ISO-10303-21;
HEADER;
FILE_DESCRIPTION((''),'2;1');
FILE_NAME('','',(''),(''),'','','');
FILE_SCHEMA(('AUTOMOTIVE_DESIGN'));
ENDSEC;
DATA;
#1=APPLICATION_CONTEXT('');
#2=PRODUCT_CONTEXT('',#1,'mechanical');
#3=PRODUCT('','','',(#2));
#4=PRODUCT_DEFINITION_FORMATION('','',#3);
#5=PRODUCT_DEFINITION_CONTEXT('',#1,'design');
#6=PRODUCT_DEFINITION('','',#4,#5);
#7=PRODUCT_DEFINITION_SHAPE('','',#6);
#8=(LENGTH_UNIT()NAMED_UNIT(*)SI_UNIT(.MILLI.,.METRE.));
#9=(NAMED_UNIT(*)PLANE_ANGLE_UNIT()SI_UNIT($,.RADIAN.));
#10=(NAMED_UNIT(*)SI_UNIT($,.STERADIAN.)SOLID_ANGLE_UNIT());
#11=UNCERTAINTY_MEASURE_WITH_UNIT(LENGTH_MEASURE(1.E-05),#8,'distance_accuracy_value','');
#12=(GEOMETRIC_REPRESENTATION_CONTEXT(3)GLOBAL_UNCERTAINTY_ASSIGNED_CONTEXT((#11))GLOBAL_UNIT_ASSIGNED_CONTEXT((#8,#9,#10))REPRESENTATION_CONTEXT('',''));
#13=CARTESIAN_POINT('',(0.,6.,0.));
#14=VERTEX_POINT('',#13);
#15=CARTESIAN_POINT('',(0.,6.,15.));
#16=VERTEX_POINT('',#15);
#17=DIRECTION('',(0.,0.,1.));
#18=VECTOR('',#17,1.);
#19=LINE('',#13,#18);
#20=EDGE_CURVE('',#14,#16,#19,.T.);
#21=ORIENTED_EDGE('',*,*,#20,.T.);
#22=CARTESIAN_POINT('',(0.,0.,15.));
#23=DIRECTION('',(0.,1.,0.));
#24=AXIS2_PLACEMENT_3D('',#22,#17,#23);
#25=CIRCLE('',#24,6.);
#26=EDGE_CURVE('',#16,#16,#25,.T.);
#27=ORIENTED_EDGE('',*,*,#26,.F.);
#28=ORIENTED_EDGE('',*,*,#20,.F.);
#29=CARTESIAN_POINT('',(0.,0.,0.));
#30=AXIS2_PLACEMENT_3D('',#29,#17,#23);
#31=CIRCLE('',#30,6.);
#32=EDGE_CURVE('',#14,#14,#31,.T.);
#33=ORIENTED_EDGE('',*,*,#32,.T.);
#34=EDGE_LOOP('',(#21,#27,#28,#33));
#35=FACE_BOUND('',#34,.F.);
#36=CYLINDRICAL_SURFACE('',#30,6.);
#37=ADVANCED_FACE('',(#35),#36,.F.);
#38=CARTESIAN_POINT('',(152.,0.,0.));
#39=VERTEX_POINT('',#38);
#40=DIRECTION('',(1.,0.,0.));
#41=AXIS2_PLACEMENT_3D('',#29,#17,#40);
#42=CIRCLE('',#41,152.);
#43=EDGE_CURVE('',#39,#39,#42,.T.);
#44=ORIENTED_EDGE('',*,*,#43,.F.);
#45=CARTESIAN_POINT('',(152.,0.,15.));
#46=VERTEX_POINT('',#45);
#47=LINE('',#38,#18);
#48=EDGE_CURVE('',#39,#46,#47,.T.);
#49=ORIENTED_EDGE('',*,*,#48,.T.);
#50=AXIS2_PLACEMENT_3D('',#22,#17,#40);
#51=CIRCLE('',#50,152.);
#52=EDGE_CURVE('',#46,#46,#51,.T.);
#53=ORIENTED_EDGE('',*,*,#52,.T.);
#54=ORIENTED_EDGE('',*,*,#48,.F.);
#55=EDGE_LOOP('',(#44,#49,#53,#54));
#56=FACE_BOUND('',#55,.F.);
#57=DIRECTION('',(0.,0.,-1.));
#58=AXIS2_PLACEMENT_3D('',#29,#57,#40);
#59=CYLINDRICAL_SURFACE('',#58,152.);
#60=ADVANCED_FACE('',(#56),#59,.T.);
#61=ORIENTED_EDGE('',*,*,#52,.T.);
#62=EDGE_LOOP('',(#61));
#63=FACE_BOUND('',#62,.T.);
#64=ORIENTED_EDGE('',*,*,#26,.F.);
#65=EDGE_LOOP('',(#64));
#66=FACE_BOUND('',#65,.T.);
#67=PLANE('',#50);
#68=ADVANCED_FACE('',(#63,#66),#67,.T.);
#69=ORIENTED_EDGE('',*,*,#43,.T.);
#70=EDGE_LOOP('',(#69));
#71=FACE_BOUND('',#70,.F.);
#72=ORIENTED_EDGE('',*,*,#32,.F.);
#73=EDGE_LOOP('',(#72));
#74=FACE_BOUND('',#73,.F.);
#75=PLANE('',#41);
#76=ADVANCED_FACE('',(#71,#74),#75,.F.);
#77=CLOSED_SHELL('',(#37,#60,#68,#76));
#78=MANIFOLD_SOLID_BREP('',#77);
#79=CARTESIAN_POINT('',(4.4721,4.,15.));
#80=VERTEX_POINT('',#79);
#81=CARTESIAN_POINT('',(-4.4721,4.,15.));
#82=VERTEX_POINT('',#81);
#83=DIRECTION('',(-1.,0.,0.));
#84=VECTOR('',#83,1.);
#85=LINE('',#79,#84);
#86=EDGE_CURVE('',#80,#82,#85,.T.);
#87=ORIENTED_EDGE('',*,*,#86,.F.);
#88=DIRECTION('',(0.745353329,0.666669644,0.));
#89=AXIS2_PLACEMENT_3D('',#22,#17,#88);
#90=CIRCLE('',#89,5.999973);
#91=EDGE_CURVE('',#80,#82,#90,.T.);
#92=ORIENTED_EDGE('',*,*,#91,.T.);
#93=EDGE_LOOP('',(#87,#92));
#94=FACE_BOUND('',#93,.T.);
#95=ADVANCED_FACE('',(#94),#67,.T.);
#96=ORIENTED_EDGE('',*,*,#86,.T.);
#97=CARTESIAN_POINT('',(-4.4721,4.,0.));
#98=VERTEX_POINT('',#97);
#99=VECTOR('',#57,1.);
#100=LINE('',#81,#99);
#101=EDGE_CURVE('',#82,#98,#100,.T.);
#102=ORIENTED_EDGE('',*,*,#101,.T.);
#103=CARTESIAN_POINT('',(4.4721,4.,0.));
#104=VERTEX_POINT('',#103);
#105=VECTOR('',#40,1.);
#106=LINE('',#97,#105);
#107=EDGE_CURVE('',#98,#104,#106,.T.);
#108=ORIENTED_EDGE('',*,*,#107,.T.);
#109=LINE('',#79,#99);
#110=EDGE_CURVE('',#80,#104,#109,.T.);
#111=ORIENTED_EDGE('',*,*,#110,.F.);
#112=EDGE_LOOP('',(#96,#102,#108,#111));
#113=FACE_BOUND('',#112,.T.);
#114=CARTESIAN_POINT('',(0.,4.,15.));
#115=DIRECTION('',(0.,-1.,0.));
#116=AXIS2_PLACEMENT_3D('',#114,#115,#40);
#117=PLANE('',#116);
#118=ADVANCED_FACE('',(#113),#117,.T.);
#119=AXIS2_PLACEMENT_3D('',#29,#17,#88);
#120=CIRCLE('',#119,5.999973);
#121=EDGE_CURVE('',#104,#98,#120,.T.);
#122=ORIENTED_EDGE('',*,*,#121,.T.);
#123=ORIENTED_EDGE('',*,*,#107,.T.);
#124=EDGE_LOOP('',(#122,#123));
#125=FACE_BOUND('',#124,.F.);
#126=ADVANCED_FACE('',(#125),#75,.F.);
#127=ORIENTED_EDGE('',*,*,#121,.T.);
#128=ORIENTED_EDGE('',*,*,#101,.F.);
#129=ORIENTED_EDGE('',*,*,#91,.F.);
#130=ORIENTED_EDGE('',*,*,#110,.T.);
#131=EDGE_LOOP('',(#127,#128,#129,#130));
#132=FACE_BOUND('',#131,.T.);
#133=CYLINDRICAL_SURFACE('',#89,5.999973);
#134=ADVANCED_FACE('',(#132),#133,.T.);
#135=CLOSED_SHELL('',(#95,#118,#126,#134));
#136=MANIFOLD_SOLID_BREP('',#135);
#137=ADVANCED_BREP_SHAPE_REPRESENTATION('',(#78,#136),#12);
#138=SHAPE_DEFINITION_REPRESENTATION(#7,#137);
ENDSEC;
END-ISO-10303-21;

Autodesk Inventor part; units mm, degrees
ref_plane "YZ Plane" through (0, 0, 0) normal (1, 0, 0) x (0, 1, 0)
ref_plane "XZ Plane" through (0, 0, 0) normal (0, 1, 0) x (-1, 0, 0)
ref_plane "XY Plane" through (0, 0, 0) normal (0, 0, 1) x (1, 0, 0)
sketch "スケッチ1" plane through (0, 0, 0) normal (0, 0, 1) x (1, 0, 0)
  circle A0 centre (0, 0) radius 152
  dimension "d0" = 304
extrude "押し出し1" add sketch "スケッチ1" along normal blind 15
sketch "スケッチ2" plane through (0, 0, 0) normal (0, 0, -1) x (-1, 0, 0)
  point P0 (0, 0)
  point P1 (0, 0)
hole "穴1" at (0, 0, 0) direction (0, 0, 1) diameter 12 end through all
sketch "スケッチ3" plane through (0, 0, 0) normal (0, 0, -1) x (-1, 0, 0)
  circle A0 centre (0, 0) radius 6 projected
sketch "スケッチ5" plane through (0, 0, 15) normal (0, 0, 1) x (1, 0, 0)
  arc A0 (4.4721, 4) -> (-4.4721, 4) centre (0, 0) ccw
  line L0 (0, 4) -> (4.4721, 4)
  line L1 (0, 4) -> (-4.4721, 4)
  dimension "d15" = 12
  dimension "d16" = 4
extrude "押し出し3" add sketch "スケッチ5" against normal blind 15
properties part number "計測輪"
